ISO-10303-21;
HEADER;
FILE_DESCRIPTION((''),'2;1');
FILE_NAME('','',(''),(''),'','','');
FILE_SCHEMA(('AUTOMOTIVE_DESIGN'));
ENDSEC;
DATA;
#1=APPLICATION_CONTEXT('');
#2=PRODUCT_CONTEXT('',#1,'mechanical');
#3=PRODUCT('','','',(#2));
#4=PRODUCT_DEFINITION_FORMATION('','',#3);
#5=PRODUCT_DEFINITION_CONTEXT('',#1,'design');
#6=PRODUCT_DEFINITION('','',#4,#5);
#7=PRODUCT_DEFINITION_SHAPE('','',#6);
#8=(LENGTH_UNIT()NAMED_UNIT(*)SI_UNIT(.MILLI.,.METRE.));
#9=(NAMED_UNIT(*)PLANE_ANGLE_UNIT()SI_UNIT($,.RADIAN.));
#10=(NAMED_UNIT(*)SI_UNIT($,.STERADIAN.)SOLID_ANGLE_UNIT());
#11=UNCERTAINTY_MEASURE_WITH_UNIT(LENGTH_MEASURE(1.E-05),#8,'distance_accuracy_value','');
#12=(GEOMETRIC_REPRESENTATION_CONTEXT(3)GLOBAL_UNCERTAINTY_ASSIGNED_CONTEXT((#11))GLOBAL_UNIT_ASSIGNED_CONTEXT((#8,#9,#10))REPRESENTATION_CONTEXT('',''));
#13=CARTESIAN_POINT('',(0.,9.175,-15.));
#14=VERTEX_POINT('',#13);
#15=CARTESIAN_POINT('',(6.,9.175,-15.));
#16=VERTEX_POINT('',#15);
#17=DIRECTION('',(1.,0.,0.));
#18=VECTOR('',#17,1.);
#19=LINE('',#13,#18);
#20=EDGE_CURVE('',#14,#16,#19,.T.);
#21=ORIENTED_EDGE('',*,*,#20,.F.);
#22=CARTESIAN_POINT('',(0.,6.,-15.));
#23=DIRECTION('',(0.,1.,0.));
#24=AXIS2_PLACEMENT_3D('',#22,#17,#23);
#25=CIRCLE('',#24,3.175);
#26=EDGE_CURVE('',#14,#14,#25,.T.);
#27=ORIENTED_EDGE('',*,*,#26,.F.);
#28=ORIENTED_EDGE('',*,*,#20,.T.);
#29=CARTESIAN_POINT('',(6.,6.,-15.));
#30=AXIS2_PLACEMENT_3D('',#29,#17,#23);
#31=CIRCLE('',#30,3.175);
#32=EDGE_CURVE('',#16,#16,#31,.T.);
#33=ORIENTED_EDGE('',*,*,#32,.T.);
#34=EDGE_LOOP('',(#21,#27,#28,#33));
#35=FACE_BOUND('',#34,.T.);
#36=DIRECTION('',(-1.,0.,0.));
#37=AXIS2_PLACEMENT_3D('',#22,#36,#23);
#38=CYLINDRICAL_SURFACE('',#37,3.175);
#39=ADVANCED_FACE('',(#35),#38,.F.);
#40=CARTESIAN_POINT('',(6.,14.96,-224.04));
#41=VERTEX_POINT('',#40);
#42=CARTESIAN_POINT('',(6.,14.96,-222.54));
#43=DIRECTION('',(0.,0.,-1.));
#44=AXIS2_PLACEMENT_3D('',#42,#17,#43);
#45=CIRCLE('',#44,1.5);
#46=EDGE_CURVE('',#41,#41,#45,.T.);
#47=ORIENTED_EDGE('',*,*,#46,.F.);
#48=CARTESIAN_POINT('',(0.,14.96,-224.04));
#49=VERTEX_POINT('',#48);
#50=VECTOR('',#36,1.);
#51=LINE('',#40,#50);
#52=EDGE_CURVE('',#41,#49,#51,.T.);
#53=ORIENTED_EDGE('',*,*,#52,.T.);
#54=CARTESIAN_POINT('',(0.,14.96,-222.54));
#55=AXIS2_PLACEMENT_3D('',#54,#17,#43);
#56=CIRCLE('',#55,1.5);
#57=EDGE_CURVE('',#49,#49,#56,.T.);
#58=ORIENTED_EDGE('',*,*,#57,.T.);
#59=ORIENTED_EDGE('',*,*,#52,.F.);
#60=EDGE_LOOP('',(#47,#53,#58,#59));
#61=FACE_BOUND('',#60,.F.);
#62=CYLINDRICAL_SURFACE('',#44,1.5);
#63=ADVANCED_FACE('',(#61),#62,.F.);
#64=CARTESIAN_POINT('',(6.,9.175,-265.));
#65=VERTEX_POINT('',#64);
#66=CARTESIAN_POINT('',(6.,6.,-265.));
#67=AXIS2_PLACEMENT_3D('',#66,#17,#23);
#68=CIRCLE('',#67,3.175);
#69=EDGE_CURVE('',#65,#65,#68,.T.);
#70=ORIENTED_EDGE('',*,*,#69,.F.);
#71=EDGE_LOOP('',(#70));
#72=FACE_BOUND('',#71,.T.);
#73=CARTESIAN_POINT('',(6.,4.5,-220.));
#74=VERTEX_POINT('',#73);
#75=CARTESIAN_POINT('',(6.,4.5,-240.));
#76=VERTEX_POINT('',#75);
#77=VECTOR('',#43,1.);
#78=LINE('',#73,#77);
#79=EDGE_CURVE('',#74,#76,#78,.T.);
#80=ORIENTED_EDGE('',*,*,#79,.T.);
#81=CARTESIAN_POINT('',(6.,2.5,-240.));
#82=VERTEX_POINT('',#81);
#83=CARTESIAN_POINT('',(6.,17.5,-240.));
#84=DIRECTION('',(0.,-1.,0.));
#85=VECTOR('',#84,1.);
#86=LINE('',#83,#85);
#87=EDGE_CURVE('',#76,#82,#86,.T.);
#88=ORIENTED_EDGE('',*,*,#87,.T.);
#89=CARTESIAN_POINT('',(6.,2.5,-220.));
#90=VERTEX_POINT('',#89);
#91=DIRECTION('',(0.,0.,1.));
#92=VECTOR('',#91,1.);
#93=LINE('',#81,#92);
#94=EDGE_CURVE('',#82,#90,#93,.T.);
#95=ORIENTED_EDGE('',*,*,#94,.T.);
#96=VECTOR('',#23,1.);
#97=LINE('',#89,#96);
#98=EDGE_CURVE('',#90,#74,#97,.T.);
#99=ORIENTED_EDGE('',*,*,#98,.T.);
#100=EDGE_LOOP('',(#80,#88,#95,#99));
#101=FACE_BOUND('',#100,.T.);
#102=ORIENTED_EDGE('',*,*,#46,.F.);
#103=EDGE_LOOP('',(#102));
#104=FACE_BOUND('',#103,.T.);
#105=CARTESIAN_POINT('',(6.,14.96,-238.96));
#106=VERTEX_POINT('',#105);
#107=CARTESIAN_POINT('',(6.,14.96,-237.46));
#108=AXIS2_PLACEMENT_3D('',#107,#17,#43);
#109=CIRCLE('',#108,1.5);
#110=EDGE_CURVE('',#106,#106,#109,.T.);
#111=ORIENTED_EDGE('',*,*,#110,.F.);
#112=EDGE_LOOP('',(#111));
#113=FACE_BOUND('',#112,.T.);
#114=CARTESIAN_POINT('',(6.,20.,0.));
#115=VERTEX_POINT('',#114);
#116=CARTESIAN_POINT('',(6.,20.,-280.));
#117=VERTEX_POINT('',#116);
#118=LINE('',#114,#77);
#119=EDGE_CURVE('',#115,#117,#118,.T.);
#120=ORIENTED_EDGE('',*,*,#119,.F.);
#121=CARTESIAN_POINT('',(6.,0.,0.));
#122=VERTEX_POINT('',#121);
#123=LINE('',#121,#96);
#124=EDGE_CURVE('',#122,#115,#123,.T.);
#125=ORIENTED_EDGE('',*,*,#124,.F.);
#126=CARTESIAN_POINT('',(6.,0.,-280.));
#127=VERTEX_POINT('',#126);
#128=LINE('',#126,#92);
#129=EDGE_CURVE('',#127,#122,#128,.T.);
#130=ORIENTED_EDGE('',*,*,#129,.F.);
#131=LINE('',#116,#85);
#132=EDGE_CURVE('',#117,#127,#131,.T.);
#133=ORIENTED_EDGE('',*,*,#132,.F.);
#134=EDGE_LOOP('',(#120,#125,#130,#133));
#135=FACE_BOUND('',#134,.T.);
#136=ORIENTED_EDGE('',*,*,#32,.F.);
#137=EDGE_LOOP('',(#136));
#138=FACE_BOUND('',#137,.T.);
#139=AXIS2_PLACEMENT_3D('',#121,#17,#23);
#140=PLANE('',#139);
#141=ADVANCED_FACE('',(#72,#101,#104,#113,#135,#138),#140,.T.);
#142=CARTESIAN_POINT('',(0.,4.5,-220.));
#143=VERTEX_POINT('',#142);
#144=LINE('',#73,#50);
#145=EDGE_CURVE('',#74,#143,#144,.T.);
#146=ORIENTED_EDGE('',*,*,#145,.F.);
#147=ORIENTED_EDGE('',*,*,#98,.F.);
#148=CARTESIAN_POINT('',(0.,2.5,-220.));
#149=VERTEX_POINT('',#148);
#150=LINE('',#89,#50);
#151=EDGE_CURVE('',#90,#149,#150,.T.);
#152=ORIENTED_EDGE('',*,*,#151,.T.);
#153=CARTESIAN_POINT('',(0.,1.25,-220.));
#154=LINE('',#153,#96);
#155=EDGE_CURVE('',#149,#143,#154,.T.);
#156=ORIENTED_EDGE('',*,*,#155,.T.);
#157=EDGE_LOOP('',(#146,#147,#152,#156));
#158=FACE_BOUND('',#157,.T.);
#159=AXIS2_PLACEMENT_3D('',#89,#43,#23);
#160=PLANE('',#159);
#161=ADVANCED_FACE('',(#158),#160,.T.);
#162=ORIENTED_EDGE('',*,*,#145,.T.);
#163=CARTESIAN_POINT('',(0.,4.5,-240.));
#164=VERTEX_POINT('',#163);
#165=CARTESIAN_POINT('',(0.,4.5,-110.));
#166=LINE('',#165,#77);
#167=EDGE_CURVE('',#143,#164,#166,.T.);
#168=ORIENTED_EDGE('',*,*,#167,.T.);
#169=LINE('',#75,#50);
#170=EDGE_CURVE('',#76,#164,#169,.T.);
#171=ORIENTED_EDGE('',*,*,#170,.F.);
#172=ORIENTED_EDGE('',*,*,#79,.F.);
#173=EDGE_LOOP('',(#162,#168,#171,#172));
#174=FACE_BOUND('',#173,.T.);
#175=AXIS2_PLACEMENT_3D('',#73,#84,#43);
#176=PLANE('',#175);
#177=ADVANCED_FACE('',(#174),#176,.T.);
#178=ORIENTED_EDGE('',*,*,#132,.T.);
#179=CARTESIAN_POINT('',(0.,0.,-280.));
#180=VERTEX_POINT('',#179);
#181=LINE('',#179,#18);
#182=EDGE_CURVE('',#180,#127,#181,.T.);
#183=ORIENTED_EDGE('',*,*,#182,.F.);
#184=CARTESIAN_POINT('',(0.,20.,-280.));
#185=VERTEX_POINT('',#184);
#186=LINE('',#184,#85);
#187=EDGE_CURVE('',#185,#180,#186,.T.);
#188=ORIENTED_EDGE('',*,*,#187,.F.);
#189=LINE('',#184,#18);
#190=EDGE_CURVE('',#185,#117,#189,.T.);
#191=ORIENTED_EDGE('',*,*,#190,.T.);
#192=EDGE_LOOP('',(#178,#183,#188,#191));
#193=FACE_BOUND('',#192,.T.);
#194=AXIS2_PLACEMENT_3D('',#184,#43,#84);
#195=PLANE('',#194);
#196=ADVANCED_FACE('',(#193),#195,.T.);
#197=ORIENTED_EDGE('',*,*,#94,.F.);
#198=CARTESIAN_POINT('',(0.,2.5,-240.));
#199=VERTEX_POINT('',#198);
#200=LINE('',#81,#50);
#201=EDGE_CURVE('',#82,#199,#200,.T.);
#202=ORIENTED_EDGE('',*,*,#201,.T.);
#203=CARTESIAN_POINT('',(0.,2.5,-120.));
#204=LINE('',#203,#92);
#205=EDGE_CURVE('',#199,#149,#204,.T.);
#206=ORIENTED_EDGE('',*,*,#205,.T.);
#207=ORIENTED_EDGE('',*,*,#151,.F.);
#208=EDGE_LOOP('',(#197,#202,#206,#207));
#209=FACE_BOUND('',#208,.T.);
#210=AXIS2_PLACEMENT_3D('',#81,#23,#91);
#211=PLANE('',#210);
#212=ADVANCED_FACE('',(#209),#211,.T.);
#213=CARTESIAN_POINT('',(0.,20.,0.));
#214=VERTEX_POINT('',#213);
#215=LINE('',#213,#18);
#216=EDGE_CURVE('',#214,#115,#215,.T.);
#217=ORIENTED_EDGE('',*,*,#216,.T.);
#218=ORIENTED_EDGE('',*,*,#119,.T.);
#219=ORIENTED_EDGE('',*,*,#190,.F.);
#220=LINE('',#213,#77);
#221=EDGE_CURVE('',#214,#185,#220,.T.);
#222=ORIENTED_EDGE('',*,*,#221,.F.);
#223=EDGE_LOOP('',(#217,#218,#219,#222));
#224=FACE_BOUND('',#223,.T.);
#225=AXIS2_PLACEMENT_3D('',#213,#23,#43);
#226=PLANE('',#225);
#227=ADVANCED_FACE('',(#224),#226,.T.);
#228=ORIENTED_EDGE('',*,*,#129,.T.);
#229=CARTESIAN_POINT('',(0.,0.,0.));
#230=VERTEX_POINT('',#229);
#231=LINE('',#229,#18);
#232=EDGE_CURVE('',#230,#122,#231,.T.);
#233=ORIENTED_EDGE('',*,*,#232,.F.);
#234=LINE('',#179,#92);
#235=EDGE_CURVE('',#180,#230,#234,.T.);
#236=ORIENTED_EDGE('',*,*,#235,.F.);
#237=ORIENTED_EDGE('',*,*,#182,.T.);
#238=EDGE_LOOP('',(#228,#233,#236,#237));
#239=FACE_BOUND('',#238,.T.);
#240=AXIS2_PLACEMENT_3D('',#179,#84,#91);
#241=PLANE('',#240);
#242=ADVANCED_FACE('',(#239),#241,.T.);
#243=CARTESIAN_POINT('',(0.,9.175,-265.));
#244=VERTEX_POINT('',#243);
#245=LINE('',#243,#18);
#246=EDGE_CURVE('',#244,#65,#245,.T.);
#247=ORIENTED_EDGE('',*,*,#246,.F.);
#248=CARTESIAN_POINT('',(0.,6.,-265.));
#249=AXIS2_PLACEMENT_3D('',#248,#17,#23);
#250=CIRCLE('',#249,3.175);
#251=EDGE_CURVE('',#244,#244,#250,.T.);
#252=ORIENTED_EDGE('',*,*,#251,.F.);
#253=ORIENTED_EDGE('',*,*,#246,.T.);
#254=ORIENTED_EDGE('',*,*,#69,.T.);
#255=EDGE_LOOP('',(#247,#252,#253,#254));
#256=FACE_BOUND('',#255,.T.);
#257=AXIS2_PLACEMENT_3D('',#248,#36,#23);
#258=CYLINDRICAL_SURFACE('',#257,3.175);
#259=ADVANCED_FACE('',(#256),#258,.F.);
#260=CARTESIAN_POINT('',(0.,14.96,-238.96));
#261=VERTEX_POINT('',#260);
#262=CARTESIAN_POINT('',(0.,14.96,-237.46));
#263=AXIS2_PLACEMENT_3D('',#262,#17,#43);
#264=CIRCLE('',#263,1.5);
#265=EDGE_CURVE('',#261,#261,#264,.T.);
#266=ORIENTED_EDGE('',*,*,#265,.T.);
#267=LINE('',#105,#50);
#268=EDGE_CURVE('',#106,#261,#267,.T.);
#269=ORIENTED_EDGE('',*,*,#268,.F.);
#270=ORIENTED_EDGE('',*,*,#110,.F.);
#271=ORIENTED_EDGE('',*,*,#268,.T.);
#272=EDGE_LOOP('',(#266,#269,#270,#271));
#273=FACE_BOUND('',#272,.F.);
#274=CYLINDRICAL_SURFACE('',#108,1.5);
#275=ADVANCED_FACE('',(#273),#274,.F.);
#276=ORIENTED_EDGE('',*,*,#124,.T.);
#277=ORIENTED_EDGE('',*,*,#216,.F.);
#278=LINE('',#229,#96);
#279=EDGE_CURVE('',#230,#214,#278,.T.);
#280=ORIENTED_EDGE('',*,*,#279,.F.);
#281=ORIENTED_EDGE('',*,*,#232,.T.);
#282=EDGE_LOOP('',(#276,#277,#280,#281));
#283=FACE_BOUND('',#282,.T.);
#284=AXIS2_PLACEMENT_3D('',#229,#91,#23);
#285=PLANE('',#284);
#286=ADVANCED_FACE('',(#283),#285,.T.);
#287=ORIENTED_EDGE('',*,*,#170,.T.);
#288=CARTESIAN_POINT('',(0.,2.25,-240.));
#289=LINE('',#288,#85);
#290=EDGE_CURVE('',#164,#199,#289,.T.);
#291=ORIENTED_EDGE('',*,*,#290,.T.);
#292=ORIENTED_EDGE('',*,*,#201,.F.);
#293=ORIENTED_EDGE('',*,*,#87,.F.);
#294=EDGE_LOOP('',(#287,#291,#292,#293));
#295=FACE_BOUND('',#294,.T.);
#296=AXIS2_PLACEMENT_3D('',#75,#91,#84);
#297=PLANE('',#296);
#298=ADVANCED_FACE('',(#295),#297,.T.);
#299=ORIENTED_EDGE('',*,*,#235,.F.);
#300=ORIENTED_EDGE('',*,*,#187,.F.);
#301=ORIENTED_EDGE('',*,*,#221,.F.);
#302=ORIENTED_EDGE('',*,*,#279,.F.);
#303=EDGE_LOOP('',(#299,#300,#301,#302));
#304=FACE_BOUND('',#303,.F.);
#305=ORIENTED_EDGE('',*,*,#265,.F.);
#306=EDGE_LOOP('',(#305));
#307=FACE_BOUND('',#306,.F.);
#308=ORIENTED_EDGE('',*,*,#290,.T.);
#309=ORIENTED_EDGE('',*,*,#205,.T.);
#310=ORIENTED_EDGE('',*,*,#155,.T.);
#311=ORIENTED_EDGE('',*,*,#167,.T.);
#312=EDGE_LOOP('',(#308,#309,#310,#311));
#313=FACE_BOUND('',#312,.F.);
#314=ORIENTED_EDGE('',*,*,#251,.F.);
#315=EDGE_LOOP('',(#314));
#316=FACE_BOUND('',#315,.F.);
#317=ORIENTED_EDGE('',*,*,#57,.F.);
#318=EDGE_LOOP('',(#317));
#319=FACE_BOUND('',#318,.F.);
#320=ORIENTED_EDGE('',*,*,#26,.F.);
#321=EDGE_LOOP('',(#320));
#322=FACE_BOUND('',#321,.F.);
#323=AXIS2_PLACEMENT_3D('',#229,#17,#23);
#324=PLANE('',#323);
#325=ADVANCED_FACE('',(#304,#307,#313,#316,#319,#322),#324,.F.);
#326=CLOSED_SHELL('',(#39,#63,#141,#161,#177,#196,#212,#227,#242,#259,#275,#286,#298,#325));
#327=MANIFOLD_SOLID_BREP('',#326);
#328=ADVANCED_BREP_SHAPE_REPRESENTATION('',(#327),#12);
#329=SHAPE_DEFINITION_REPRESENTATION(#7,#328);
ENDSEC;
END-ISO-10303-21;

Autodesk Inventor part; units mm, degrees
ref_plane "YZ Plane" through (0, 0, 0) normal (1, 0, 0) x (0, 1, 0)
ref_plane "XZ Plane" through (0, 0, 0) normal (0, 1, 0) x (-1, 0, 0)
ref_plane "XY Plane" through (0, 0, 0) normal (0, 0, 1) x (1, 0, 0)
sketch "Boceto1" plane through (0, 0, 0) normal (1, 0, 0) x (0, 1, 0)
  line L0 (0, 0) -> (20, 0)
  line L1 (20, 0) -> (20, -280)
  line L2 (20, -280) -> (0, -280)
  line L3 (0, -280) -> (0, 0)
  circle A0 centre (6, -15) radius 3.175
  circle A1 centre (6, -265) radius 3.175
  dimension "d0" = 20
  dimension "d1" = 280
  dimension "d2" = 6.35
  dimension "d8" = 6
  dimension "d9" = 250
  dimension "d10" = 15
extrude "Extrusión1" add sketch "Boceto1" along normal blind 6
sketch "Boceto2" plane through (6, 0, 0) normal (1, 0, 0) x (0, 0, -1)
  line L0 (220, 17.5) -> (240, 17.5)
  line L1 (240, 17.5) -> (240, 2.5)
  line L2 (240, 2.5) -> (220, 2.5)
  line L3 (220, 2.5) -> (220, 17.5)
  line L4 (280, 0) -> (280, 20) projected
  line L5 (240, 2.5) -> (220, 2.5)
  line L6 (220, 2.5) -> (220, 4.5)
  line L7 (220, 4.5) -> (240, 4.5)
  line L8 (240, 4.5) -> (240, 2.5)
  circle A0 centre (222.54, 14.96) radius 1.5
  line L9 (230, 17.5) -> (230, 4.5)
  circle A1 centre (237.46, 14.96) radius 1.5
  point P0 (0, 0)
  point P1 (240, 10)
  point P2 (280, 10)
  dimension "d11" = 20
  dimension "d12" = 15
  dimension "d13" = 40
  dimension "d14" = 2
  dimension "d15" = 3
  dimension "d16" = 2.54
  dimension "d17" = 2.54
extrude "Extrusión2" cut sketch "Boceto2" against normal through all contours L7 L1 L2 L3 | A0 | A1
properties part number "Riel_Lateral_MDF"
